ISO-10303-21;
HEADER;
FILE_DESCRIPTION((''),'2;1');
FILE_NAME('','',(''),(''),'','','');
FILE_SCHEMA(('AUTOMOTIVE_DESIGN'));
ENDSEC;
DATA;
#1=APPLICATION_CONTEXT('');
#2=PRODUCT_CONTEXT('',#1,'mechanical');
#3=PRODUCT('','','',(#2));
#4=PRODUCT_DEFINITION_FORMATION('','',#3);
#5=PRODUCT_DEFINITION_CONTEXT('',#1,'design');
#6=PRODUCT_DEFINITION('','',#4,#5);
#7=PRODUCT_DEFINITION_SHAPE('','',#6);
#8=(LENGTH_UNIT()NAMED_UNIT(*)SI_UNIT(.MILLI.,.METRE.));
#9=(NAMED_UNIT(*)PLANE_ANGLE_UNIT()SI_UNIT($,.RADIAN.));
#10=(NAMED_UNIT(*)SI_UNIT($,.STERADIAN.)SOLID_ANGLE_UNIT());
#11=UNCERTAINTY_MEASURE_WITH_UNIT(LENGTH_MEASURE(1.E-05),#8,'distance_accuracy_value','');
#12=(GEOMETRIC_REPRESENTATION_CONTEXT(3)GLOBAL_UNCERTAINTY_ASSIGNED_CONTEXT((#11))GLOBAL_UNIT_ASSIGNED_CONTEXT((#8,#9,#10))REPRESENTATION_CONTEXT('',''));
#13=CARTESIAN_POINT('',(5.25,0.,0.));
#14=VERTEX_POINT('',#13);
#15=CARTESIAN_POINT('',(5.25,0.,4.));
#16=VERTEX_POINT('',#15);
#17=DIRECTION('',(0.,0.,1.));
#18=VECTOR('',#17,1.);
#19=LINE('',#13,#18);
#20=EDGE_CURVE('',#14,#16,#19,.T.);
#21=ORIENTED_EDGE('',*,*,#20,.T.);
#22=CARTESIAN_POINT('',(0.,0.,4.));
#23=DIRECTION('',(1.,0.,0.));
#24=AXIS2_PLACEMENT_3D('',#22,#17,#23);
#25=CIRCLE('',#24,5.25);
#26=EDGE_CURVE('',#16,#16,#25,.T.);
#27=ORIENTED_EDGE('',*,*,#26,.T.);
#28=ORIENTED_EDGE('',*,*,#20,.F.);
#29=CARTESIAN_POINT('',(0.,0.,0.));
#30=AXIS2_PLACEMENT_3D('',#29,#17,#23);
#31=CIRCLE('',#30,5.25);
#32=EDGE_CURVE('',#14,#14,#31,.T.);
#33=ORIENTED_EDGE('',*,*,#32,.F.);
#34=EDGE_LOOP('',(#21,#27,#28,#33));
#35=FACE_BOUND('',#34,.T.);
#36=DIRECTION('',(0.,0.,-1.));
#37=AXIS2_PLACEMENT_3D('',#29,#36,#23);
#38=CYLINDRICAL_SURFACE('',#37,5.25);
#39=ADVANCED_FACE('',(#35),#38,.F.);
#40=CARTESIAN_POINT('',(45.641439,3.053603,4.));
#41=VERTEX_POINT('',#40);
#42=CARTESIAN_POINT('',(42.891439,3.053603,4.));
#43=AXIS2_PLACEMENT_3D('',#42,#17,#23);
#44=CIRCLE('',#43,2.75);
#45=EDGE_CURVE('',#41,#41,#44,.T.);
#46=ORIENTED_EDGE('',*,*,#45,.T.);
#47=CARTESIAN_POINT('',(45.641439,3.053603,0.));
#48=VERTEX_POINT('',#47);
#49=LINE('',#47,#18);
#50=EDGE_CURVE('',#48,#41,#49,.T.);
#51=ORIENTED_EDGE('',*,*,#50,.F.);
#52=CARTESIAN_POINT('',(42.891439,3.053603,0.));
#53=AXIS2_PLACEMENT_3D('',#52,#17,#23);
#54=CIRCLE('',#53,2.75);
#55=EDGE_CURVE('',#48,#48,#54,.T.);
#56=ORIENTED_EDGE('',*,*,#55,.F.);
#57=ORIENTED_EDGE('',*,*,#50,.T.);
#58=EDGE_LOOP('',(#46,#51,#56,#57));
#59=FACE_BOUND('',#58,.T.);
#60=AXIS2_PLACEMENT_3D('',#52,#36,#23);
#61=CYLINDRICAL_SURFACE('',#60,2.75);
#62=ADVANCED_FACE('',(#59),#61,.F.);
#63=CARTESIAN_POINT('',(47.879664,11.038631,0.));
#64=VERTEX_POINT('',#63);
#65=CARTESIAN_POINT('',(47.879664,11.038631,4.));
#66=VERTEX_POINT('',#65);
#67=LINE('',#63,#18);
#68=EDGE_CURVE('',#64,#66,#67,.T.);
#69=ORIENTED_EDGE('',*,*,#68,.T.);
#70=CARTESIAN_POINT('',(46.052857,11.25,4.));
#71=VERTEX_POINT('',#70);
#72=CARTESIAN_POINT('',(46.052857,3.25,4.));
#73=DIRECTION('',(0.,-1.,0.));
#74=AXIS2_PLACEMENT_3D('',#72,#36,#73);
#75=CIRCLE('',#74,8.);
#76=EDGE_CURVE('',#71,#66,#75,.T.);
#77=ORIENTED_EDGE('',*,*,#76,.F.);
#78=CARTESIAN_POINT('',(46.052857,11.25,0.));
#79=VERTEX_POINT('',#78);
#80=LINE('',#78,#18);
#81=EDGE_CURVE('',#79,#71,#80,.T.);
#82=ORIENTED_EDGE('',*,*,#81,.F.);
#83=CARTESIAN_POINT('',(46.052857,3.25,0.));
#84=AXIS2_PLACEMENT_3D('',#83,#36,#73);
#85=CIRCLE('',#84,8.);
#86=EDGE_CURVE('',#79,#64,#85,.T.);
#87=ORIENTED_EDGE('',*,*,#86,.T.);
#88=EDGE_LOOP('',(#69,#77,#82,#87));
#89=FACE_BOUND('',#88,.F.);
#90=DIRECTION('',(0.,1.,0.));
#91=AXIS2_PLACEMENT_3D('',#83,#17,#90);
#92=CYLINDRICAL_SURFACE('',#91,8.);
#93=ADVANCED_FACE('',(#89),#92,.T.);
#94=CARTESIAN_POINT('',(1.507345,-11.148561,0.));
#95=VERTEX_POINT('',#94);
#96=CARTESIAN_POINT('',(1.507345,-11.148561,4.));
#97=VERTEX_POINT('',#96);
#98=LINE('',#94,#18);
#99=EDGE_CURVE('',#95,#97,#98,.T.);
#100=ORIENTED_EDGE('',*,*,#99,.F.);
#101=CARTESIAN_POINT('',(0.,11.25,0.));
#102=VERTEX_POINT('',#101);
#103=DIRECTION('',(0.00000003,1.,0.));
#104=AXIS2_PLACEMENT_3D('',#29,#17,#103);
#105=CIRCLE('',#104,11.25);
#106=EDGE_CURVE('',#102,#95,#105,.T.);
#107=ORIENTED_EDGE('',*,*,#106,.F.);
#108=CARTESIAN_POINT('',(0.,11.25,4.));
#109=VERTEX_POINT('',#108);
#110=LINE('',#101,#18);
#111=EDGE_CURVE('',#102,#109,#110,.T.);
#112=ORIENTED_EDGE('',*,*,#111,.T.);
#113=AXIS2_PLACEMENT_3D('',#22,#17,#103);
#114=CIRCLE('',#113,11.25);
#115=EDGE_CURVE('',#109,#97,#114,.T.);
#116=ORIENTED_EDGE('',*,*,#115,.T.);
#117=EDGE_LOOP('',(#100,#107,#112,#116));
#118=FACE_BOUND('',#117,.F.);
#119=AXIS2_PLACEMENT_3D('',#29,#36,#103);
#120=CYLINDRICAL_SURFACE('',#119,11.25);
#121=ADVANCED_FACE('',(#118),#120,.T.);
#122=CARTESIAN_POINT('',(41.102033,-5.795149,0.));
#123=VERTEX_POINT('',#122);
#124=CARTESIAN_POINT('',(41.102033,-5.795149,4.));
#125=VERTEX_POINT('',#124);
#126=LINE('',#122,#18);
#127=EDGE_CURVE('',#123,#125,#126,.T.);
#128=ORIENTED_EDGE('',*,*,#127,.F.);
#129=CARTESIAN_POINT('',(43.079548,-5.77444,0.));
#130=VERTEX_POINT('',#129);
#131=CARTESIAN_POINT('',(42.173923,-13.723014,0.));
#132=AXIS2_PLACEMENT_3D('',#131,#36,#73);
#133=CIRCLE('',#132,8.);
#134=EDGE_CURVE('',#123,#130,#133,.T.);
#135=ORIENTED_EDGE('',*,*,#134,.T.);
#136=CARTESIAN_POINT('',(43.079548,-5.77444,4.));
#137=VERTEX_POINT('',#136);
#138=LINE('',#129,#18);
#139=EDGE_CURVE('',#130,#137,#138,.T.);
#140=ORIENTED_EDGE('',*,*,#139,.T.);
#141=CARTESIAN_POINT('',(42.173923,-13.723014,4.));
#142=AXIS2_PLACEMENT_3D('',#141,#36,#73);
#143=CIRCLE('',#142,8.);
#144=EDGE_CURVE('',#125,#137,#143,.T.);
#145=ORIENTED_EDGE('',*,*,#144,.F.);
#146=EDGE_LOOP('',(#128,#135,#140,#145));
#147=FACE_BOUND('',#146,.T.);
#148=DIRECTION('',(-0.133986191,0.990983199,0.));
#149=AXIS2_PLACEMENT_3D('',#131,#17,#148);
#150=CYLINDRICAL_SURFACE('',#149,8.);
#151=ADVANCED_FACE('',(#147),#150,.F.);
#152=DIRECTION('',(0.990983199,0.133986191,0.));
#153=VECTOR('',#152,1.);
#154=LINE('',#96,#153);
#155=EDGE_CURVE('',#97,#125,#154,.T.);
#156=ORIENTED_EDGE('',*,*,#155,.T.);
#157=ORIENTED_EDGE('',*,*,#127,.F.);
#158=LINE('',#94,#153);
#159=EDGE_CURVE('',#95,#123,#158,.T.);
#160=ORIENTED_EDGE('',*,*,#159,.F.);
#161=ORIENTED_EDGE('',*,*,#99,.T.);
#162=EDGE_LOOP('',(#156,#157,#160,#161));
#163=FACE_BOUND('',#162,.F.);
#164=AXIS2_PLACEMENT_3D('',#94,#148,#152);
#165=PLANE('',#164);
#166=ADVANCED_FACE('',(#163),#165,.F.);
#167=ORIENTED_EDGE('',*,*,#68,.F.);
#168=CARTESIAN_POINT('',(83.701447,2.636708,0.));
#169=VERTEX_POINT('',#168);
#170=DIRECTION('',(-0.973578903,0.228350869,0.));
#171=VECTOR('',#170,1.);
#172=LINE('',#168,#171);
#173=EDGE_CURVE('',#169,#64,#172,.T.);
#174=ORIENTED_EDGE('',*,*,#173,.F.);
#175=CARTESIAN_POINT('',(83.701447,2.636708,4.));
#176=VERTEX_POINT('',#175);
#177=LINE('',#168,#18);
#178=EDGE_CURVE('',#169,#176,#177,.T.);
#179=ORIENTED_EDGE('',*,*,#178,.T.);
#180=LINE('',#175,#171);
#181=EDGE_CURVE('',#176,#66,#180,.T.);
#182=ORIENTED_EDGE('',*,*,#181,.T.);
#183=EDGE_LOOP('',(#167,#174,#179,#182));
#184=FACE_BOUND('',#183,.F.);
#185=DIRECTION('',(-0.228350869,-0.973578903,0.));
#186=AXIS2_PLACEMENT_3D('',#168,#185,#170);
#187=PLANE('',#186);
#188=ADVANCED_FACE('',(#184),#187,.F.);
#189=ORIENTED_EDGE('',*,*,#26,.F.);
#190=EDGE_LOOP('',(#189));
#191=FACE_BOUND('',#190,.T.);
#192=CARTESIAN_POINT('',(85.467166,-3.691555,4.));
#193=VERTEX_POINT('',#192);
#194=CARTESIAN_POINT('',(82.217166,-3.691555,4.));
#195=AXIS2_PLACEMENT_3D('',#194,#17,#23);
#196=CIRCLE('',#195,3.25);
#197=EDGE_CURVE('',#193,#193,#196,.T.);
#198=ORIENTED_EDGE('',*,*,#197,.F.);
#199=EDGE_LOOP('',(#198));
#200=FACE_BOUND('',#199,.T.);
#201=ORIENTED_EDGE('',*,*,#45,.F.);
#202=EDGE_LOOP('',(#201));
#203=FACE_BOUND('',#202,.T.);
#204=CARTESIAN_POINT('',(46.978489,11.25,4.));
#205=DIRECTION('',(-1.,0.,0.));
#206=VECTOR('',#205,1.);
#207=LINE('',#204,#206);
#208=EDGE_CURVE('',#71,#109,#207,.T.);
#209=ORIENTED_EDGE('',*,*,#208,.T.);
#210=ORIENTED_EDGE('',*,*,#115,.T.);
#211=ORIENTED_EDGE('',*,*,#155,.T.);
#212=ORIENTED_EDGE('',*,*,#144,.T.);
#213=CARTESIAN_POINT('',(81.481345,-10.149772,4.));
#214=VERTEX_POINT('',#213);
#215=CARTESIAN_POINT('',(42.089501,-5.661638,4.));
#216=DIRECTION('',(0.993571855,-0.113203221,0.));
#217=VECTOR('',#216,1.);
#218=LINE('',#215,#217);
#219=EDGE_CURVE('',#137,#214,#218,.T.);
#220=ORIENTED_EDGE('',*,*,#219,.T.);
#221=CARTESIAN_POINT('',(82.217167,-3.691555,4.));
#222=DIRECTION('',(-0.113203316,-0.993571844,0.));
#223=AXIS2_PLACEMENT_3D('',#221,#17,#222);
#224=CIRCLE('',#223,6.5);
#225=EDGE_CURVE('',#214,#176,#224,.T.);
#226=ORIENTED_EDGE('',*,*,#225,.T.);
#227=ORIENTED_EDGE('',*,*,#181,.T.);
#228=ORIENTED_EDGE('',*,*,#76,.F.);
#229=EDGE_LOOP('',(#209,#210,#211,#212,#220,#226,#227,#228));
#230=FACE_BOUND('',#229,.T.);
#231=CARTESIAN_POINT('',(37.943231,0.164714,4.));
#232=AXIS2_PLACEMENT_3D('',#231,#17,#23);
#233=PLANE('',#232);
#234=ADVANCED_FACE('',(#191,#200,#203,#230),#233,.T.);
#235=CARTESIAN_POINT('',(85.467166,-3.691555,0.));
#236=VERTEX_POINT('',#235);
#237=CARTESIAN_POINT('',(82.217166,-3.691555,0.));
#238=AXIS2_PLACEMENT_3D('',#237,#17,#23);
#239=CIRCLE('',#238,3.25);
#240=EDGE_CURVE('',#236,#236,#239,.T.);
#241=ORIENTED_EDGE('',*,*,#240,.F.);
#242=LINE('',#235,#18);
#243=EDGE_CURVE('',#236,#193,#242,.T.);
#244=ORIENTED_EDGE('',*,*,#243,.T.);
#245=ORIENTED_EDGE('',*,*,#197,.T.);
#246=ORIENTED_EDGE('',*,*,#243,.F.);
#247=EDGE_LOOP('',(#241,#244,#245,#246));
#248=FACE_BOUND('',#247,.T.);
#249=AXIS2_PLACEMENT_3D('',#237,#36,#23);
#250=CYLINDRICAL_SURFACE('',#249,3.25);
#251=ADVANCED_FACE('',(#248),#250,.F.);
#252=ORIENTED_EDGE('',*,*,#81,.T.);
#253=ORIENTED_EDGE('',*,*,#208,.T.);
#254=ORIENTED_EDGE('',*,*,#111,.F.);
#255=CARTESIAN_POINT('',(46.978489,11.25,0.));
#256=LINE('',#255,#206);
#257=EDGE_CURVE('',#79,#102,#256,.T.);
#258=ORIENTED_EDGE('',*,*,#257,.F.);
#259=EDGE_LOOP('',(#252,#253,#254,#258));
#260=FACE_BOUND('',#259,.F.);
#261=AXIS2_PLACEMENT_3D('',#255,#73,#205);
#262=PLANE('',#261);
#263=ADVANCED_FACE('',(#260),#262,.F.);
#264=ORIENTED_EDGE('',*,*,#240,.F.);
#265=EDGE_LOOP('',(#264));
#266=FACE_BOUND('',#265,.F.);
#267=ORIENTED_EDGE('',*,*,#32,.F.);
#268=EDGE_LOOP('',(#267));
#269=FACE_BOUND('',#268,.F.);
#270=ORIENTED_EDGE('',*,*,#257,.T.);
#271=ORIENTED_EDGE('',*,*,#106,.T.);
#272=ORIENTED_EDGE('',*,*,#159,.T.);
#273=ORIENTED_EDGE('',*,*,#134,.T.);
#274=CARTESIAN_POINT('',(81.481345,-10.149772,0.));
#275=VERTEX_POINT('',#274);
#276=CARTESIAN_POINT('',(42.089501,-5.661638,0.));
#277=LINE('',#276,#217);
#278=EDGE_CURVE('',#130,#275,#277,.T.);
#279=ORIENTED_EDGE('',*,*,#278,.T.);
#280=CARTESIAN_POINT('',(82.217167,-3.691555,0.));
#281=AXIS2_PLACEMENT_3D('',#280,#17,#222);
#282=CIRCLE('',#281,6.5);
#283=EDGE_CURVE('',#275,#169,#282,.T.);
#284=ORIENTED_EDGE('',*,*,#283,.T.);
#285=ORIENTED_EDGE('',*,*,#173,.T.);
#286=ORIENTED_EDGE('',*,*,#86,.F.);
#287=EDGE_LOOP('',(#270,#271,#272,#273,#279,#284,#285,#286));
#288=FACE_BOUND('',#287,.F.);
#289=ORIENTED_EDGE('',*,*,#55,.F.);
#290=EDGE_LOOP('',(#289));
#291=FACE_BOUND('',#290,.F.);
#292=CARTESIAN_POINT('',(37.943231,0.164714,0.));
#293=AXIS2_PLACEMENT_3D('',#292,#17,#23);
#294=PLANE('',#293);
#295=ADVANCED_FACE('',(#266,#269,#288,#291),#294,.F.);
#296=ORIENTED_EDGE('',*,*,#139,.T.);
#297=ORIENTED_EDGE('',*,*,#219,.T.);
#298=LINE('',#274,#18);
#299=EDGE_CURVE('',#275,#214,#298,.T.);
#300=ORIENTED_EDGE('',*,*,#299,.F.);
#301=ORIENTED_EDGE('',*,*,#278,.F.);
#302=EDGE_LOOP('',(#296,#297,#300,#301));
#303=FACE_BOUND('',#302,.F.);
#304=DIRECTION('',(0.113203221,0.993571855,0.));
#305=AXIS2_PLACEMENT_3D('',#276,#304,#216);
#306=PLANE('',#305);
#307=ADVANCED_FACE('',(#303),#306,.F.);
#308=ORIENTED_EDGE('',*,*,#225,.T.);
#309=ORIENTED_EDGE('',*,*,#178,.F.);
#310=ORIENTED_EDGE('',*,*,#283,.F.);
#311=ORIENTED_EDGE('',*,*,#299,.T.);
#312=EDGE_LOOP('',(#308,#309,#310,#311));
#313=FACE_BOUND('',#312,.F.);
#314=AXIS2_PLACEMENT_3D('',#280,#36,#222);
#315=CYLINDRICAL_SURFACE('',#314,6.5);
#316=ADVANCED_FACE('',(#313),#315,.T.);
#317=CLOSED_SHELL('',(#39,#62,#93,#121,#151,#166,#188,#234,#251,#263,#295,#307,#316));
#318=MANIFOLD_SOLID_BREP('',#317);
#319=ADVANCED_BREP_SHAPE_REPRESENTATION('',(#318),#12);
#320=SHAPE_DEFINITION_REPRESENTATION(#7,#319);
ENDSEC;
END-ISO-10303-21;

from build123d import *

# Parameters (mm, degrees)
F0_R     = 5.25
F0_R_2   = 3.25
F0_R_3   = 2.75
F1_DEPTH = 4
F2_R     = 8


with BuildPart() as f1:
    # F0 (on Top) → F1 (new body)
    with BuildSketch(Plane.XY):
        with BuildLine():
            Line((46.978489, 11.25), (0, 11.25))
            ThreePointArc((0, 11.25), (-11.224612, -0.755377), (1.507345, -11.148561))
            Line((1.507345, -11.148561), (42.089501, -5.661638))
            Line((42.089501, -5.661638), (81.481345, -10.149772))
            ThreePointArc((81.481345, -10.149772), (88.62135, -4.803506), (83.701447, 2.636708))
            Line((83.701447, 2.636708), (46.978489, 11.25))
        make_face()
        Circle(F0_R, mode=Mode.SUBTRACT)
        with Locations((82.217166, -3.691555)):
            Circle(F0_R_2, mode=Mode.SUBTRACT)
        with Locations((42.891439, 3.053603)):
            Circle(F0_R_3, mode=Mode.SUBTRACT)
    extrude(amount=F1_DEPTH)

    # F2
    f2_edges = [f1.edges().sort_by_distance(p)[0] for p in [
        (42.089501, -5.661638, 2),
        (46.978489, 11.25, 2),
    ]]
    fillet(f2_edges, radius=F2_R)


solid = f1.part
